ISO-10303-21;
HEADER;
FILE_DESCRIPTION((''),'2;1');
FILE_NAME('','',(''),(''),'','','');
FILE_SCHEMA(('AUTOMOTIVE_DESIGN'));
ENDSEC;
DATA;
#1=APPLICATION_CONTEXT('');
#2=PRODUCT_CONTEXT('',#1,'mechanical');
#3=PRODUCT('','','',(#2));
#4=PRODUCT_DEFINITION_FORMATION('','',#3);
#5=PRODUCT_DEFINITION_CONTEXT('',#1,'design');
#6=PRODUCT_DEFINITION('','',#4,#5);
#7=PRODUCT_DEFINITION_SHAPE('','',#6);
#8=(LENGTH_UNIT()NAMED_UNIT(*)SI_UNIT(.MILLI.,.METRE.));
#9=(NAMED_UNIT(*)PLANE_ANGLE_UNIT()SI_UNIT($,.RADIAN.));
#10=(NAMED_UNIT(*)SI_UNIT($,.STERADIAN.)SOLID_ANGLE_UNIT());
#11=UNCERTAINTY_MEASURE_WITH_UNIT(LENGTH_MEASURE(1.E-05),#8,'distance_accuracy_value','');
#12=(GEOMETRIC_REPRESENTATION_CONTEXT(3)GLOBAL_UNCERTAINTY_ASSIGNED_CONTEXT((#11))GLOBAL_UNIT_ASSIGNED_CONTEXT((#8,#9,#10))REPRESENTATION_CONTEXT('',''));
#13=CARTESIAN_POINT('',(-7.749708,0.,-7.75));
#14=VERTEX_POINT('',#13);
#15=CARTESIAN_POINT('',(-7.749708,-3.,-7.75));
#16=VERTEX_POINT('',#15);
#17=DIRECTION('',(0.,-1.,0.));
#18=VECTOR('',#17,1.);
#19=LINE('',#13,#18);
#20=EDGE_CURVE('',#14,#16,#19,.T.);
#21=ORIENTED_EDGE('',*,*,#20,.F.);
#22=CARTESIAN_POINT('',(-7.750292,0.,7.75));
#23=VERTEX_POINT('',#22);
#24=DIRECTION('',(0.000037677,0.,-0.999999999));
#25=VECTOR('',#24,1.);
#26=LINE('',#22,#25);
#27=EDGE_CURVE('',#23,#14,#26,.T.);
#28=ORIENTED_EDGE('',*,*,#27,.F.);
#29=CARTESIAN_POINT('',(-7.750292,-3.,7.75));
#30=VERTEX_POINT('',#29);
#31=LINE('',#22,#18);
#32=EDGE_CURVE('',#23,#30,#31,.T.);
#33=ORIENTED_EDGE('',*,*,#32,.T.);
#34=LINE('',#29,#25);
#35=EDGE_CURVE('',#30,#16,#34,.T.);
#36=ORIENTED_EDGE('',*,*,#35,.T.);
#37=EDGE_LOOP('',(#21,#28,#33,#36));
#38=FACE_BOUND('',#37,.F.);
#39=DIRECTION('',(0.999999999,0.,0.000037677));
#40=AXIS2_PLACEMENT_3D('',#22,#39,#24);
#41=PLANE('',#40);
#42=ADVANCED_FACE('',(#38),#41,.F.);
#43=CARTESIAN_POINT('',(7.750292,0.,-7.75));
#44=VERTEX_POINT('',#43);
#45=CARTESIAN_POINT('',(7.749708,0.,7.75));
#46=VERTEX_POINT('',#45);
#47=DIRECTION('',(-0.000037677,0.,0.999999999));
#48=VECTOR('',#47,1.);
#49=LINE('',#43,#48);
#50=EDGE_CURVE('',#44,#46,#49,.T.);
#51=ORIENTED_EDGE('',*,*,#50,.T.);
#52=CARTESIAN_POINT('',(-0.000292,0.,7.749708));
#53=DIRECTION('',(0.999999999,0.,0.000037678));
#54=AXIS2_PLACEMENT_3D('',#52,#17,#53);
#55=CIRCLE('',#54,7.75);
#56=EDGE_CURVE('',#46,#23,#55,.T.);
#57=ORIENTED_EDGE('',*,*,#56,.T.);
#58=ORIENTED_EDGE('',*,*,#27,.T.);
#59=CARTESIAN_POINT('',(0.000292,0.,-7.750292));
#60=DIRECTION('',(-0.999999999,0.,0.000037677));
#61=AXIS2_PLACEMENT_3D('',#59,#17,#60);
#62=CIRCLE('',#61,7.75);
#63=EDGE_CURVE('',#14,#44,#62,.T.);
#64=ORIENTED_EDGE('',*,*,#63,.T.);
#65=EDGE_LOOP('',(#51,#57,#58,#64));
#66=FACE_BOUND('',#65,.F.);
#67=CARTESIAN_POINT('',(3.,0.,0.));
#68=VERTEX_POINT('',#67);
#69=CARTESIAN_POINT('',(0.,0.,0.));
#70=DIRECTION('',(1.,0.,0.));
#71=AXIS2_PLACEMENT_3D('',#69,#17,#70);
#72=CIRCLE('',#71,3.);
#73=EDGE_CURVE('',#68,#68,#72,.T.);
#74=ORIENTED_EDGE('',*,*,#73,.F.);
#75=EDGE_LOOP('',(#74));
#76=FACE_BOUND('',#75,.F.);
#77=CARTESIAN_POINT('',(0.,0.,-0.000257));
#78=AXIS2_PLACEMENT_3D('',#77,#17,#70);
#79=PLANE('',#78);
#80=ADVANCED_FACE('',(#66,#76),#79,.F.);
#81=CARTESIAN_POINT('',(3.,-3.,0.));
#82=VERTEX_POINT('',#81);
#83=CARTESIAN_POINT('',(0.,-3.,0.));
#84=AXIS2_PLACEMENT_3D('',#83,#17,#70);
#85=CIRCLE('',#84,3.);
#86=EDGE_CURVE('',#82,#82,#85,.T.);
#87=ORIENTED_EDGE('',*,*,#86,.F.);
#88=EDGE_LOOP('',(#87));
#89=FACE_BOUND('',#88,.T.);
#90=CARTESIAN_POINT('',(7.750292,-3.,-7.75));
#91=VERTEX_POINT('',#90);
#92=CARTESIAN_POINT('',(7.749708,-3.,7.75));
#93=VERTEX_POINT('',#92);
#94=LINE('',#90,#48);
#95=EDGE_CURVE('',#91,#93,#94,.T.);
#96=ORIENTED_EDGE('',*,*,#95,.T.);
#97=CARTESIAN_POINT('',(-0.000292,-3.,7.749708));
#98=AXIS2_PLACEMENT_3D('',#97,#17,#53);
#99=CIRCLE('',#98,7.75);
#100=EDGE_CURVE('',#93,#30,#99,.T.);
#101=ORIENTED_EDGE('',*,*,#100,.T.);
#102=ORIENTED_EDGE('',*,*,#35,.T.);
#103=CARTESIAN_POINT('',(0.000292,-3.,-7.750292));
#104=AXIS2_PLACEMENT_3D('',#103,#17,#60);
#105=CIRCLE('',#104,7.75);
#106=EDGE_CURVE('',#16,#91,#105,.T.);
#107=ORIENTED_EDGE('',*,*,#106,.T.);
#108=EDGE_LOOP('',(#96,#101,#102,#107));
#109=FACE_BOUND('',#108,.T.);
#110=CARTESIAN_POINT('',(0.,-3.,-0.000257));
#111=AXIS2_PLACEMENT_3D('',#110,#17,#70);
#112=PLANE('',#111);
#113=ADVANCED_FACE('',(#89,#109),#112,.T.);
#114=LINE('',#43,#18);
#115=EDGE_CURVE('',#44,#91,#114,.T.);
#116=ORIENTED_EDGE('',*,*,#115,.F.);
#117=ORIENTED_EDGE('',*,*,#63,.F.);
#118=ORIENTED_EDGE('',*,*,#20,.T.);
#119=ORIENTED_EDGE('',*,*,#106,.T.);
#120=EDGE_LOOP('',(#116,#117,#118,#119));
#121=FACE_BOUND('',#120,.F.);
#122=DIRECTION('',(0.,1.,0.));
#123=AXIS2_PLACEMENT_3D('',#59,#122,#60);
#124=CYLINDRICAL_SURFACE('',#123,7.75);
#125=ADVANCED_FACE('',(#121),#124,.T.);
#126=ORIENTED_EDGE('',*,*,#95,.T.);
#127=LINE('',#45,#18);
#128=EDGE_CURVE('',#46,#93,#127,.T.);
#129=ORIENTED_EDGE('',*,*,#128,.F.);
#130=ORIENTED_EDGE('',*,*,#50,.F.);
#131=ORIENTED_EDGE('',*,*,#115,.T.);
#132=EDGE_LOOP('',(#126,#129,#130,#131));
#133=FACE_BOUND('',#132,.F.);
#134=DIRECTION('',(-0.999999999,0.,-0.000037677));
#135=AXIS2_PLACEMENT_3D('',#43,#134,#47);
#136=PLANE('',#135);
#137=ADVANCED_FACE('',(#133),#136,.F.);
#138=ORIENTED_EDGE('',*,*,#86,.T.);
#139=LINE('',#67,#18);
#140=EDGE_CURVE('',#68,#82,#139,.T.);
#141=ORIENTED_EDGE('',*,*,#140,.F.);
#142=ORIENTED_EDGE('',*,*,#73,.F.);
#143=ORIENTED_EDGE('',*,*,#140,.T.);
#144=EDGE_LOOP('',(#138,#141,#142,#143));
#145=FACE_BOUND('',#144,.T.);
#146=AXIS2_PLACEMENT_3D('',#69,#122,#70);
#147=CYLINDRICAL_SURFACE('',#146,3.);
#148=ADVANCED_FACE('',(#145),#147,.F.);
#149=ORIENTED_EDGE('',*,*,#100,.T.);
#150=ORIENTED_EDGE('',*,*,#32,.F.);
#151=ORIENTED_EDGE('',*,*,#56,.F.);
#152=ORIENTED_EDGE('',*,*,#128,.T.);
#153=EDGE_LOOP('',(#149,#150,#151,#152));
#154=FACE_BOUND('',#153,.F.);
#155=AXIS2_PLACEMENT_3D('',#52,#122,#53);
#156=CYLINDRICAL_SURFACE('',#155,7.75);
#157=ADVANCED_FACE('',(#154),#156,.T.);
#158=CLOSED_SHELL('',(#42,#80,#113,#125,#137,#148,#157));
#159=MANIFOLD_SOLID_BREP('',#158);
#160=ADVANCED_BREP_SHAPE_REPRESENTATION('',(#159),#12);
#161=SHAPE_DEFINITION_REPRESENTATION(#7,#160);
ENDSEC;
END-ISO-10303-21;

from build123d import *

# Parameters (mm, degrees)
F0_R     = 3
F1_DEPTH = 3


with BuildPart() as f1:
    # F0 (on Front) → F1 (new body)
    with BuildSketch(Plane.XZ):
        with BuildLine():
            Line((-7.750292, 7.75), (-7.749708, -7.75))
            ThreePointArc((-7.749708, -7.75), (0.000292, -15.500292), (7.750292, -7.75))
            Line((7.750292, -7.75), (7.749708, 7.75))
            ThreePointArc((7.749708, 7.75), (-0.000292, 15.499708), (-7.750292, 7.75))
        make_face()
        Circle(F0_R, mode=Mode.SUBTRACT)
    extrude(amount=F1_DEPTH)


solid = f1.part
